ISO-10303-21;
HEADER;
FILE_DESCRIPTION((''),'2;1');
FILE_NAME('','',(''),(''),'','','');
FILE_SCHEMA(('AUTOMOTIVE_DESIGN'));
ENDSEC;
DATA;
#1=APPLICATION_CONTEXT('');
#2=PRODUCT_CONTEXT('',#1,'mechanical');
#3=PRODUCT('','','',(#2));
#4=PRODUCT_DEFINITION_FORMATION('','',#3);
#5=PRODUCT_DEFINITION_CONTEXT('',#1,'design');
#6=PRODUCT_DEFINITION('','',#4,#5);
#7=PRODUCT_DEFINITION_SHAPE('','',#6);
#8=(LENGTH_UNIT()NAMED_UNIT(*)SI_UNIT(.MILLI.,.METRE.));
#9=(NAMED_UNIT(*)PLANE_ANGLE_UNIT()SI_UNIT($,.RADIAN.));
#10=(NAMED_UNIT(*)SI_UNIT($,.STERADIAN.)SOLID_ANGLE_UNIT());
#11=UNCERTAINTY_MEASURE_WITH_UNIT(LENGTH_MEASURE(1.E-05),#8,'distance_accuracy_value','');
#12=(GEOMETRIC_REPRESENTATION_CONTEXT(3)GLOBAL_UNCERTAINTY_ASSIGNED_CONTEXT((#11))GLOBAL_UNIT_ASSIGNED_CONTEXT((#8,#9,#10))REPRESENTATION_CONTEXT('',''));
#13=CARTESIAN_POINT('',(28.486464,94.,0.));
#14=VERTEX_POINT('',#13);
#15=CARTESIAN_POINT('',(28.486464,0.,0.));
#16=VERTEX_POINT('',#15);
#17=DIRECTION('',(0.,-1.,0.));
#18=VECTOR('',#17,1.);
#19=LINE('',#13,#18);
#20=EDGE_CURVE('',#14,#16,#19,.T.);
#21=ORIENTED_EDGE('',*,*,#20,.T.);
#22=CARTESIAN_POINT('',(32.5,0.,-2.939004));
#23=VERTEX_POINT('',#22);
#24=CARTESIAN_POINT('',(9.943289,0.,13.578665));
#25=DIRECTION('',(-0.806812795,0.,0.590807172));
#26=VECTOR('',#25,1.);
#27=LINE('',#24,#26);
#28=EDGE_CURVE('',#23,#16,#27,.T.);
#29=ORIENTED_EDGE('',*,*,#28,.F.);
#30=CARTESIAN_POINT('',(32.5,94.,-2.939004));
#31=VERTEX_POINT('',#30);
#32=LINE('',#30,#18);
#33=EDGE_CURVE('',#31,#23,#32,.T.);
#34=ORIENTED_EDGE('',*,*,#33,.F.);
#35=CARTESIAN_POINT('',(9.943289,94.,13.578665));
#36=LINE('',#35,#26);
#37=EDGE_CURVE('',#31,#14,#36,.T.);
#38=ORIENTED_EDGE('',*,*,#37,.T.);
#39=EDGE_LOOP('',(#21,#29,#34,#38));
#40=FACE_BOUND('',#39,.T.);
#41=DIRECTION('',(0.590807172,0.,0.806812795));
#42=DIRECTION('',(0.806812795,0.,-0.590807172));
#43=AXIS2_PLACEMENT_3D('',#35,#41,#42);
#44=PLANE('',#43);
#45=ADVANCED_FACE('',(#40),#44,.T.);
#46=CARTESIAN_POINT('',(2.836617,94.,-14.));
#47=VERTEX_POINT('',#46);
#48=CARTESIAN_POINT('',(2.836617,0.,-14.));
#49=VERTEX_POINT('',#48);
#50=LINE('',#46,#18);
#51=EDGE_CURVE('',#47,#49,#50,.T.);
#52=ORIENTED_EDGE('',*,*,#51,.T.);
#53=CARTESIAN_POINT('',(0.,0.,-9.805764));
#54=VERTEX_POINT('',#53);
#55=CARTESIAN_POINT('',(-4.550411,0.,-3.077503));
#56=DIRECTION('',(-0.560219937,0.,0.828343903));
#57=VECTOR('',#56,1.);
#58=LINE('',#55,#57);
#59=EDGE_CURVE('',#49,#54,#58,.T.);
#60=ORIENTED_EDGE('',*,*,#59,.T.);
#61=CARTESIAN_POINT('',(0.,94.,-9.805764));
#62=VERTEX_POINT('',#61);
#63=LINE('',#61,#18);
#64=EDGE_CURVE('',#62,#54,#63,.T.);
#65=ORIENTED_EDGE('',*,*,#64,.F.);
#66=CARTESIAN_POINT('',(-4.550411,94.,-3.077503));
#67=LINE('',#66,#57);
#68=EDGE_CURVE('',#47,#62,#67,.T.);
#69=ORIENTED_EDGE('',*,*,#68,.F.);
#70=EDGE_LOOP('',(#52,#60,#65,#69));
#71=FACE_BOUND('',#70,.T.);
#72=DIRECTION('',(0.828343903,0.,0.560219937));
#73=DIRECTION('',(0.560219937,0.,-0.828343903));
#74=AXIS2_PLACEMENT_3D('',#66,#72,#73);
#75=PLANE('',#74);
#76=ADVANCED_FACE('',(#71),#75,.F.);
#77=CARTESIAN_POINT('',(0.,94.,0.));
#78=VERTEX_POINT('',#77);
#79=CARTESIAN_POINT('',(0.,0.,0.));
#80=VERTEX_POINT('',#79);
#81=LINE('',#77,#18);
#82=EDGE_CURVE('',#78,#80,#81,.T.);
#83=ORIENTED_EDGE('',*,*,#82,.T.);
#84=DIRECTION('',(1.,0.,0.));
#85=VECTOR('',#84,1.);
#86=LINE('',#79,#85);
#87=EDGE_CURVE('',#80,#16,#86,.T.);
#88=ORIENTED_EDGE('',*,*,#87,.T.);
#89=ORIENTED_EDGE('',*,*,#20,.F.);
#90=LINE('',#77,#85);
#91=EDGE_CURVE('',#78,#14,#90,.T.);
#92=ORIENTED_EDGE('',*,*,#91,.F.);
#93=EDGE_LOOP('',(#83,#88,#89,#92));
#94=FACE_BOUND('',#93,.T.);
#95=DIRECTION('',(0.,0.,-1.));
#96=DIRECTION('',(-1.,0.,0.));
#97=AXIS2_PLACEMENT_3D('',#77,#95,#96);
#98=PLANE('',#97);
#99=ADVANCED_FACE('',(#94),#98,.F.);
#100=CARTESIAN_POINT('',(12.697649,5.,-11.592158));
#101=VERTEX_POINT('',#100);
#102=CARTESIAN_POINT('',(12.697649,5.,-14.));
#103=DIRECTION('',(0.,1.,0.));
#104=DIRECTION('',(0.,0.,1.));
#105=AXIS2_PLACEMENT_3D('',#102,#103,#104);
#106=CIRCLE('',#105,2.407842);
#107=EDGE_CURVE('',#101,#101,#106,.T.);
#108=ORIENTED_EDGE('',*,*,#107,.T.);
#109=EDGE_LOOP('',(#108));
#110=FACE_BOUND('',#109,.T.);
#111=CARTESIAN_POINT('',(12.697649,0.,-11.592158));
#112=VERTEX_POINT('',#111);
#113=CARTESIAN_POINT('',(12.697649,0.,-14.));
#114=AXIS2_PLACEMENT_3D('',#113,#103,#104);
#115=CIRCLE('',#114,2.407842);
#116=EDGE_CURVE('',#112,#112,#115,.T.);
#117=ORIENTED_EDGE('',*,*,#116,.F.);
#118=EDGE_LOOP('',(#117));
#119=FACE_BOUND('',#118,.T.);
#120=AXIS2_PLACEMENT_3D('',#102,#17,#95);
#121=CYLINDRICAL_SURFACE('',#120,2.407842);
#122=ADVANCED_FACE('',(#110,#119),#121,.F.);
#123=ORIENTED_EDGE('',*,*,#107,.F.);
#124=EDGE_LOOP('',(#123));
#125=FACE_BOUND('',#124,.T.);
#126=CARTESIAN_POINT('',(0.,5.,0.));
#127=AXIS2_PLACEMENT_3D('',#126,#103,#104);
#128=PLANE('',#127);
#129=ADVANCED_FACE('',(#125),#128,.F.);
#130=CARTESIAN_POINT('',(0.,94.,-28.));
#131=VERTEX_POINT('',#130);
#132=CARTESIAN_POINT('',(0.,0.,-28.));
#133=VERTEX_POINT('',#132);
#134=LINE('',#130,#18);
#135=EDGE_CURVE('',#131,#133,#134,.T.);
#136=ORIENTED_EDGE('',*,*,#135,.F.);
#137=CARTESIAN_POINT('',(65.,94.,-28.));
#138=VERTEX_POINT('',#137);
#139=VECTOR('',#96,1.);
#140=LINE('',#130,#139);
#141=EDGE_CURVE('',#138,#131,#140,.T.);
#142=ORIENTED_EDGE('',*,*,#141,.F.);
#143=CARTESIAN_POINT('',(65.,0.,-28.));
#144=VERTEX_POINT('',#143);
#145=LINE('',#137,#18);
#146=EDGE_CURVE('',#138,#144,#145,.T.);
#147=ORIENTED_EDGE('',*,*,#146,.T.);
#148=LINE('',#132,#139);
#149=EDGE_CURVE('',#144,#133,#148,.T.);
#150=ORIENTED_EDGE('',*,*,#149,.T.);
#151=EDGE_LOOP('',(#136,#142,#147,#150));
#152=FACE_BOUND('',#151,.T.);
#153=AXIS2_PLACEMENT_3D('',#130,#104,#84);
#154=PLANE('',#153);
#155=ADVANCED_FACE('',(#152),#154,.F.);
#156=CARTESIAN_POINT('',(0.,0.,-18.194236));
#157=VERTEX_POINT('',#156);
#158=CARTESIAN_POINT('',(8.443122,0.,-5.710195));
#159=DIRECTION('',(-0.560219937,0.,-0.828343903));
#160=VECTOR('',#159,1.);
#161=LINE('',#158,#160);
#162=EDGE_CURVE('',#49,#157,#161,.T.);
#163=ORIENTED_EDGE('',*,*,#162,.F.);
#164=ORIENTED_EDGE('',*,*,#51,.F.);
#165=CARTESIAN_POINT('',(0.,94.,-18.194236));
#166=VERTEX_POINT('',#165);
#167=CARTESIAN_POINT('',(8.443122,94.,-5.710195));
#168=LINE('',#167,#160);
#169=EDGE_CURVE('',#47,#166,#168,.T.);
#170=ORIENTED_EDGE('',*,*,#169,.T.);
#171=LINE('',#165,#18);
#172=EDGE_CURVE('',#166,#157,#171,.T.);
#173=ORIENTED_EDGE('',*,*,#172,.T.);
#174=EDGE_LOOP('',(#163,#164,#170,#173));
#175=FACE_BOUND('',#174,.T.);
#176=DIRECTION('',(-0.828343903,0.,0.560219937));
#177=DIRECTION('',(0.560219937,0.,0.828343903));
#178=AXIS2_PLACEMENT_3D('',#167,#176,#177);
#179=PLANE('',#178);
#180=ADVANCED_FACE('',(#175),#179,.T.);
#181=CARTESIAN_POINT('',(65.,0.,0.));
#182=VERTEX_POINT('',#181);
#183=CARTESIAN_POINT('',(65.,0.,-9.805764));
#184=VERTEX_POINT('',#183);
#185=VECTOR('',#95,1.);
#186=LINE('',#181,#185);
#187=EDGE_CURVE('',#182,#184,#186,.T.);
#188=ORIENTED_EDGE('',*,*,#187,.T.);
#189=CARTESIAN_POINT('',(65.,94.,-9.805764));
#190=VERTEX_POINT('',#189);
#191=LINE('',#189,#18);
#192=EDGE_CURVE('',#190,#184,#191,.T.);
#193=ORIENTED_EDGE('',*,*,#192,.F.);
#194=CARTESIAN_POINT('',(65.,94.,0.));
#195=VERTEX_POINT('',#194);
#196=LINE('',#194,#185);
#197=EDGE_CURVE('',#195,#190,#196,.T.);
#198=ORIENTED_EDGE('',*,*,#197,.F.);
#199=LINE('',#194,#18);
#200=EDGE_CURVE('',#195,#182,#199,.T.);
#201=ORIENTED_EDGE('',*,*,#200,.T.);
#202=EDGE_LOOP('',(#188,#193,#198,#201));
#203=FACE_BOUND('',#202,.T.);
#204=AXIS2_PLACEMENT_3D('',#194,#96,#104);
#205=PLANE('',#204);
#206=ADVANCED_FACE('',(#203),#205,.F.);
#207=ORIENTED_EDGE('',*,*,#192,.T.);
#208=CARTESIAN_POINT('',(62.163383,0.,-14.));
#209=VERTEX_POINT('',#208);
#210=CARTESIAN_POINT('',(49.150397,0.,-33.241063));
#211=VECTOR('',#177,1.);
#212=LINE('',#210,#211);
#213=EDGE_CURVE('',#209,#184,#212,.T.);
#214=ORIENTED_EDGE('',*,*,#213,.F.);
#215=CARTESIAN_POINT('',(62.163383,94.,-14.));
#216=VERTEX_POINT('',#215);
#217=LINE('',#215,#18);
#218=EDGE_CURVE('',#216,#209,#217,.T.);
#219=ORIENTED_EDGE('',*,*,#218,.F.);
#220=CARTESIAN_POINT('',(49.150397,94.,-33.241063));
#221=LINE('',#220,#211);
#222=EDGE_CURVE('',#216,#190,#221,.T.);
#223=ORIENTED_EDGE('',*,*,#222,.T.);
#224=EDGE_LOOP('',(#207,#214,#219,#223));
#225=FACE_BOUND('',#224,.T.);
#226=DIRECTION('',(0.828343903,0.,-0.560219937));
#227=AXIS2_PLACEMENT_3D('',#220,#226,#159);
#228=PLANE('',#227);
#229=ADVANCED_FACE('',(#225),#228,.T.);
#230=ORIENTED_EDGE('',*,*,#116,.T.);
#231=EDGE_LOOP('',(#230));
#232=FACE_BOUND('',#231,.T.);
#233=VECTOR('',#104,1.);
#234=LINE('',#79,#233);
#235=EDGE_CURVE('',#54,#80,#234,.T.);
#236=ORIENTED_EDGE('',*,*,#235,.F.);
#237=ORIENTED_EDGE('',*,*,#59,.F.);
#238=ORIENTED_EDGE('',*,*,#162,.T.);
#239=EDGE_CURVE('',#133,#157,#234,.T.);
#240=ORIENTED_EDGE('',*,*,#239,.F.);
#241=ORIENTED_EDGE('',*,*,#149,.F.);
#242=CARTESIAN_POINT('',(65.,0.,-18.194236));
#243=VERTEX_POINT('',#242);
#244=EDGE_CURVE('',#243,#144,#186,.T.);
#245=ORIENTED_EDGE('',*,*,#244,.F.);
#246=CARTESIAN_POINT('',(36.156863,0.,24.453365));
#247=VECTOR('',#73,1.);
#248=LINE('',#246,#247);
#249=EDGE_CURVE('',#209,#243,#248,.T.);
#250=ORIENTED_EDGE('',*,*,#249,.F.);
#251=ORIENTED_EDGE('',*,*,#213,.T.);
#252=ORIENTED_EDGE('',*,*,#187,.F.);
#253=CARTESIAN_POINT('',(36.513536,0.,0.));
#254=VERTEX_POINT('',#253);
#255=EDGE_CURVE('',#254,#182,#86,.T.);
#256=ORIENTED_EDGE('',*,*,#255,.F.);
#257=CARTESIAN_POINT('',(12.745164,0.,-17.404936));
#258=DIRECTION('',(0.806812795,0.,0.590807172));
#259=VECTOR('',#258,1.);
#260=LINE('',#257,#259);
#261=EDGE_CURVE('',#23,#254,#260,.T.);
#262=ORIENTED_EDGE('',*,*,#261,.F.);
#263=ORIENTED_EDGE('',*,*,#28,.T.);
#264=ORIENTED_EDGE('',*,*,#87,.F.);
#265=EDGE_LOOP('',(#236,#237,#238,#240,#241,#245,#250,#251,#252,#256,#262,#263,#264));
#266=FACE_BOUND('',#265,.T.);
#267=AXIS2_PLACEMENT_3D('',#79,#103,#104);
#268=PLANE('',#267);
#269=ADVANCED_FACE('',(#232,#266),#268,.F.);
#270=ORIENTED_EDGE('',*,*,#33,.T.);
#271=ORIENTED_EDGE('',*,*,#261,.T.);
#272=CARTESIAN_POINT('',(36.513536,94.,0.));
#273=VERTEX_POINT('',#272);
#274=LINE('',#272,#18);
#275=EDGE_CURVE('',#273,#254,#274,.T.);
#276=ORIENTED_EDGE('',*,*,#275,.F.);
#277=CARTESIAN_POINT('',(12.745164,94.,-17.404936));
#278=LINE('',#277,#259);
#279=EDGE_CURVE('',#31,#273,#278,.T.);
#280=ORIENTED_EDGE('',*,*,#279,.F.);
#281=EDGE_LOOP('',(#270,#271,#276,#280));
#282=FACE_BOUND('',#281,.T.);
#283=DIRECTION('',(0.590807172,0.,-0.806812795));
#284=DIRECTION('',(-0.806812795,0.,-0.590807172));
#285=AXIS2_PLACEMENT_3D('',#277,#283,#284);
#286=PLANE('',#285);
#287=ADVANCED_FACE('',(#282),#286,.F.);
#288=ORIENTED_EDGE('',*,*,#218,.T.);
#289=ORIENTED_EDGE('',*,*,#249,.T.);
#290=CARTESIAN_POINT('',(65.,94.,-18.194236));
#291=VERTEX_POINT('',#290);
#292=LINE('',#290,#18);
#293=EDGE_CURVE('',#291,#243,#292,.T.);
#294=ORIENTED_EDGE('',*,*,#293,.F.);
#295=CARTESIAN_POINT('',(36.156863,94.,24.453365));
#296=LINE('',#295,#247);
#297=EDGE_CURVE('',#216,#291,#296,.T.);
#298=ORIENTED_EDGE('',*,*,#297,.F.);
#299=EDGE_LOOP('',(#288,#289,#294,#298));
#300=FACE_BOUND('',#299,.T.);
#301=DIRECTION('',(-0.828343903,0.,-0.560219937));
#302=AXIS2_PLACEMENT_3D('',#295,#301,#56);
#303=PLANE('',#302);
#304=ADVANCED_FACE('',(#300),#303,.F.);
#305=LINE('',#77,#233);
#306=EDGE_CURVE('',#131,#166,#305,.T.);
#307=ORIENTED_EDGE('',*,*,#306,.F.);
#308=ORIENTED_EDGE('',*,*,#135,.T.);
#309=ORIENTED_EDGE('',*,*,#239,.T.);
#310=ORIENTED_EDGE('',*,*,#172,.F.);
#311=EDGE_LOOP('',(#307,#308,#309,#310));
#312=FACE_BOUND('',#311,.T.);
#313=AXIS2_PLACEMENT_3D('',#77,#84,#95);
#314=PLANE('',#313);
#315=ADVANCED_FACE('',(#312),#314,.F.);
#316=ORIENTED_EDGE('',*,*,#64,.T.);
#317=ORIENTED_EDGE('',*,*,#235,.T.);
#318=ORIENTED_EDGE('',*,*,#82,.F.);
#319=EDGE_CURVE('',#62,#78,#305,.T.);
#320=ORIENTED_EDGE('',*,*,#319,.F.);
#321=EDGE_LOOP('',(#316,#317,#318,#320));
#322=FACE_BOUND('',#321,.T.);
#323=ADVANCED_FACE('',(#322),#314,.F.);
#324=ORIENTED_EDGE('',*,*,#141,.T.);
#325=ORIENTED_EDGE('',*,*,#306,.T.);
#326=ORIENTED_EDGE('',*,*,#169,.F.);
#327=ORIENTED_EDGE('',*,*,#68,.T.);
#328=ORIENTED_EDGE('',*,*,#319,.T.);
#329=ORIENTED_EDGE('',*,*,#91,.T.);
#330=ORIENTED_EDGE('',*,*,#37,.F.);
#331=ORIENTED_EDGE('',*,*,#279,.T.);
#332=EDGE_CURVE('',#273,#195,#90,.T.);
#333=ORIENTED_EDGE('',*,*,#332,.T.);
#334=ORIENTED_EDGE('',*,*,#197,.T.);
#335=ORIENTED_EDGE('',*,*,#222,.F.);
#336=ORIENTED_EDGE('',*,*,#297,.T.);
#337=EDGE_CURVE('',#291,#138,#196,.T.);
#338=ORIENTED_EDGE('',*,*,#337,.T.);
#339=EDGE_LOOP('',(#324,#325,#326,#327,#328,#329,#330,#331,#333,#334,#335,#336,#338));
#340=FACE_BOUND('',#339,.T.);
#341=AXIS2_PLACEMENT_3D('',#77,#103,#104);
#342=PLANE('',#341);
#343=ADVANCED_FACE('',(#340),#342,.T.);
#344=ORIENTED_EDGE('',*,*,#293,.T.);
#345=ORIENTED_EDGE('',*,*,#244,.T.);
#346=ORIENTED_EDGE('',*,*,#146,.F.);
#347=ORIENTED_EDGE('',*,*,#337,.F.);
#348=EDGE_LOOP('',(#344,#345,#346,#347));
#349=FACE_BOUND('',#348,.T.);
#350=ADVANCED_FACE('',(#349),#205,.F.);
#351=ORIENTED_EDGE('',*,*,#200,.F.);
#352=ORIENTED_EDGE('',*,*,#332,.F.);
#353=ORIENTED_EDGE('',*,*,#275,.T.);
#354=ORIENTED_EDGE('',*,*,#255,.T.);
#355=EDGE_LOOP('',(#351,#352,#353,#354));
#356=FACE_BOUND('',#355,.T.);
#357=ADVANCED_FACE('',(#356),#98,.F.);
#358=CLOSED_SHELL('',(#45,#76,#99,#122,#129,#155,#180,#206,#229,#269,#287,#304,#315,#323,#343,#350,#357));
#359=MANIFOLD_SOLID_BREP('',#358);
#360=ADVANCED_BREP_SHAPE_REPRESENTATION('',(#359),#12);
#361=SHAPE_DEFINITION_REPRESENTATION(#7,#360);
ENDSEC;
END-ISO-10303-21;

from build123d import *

# Parameters (mm, degrees)
BOSS_EXTRUDE1_DEPTH = 94
SKETCH1_3_R         = 2.40784246
CUT_EXTRUDE1_DEPTH  = 5


with BuildPart() as part:
    # Sketch1 → Boss-Extrude1 (new body)
    with BuildSketch(Plane(origin=(0, 0, 0), x_dir=(1, 0, 0), z_dir=(0, 1, 0))):
        Polygon((0, 9.805763686), (0, 0), (28.48646363, 0), (32.5, 2.93900405), (36.51353637, 0), (65, 0), (65, 9.805763686), (62.163382508, 14), (65, 18.194236314), (65, 28), (0, 28), (0, 18.194236314), (2.836617492, 14), align=None)
    extrude(amount=BOSS_EXTRUDE1_DEPTH)

    # Sketch1<3> → Cut-Extrude1 (cut)
    with BuildSketch(Plane(origin=(0, 0, 0), x_dir=(1, 0, 0), z_dir=(0, 1, 0))):
        with Locations((12.697649227, 14)):
            Circle(SKETCH1_3_R)
    extrude(amount=CUT_EXTRUDE1_DEPTH, mode=Mode.SUBTRACT)


solid = part.part
